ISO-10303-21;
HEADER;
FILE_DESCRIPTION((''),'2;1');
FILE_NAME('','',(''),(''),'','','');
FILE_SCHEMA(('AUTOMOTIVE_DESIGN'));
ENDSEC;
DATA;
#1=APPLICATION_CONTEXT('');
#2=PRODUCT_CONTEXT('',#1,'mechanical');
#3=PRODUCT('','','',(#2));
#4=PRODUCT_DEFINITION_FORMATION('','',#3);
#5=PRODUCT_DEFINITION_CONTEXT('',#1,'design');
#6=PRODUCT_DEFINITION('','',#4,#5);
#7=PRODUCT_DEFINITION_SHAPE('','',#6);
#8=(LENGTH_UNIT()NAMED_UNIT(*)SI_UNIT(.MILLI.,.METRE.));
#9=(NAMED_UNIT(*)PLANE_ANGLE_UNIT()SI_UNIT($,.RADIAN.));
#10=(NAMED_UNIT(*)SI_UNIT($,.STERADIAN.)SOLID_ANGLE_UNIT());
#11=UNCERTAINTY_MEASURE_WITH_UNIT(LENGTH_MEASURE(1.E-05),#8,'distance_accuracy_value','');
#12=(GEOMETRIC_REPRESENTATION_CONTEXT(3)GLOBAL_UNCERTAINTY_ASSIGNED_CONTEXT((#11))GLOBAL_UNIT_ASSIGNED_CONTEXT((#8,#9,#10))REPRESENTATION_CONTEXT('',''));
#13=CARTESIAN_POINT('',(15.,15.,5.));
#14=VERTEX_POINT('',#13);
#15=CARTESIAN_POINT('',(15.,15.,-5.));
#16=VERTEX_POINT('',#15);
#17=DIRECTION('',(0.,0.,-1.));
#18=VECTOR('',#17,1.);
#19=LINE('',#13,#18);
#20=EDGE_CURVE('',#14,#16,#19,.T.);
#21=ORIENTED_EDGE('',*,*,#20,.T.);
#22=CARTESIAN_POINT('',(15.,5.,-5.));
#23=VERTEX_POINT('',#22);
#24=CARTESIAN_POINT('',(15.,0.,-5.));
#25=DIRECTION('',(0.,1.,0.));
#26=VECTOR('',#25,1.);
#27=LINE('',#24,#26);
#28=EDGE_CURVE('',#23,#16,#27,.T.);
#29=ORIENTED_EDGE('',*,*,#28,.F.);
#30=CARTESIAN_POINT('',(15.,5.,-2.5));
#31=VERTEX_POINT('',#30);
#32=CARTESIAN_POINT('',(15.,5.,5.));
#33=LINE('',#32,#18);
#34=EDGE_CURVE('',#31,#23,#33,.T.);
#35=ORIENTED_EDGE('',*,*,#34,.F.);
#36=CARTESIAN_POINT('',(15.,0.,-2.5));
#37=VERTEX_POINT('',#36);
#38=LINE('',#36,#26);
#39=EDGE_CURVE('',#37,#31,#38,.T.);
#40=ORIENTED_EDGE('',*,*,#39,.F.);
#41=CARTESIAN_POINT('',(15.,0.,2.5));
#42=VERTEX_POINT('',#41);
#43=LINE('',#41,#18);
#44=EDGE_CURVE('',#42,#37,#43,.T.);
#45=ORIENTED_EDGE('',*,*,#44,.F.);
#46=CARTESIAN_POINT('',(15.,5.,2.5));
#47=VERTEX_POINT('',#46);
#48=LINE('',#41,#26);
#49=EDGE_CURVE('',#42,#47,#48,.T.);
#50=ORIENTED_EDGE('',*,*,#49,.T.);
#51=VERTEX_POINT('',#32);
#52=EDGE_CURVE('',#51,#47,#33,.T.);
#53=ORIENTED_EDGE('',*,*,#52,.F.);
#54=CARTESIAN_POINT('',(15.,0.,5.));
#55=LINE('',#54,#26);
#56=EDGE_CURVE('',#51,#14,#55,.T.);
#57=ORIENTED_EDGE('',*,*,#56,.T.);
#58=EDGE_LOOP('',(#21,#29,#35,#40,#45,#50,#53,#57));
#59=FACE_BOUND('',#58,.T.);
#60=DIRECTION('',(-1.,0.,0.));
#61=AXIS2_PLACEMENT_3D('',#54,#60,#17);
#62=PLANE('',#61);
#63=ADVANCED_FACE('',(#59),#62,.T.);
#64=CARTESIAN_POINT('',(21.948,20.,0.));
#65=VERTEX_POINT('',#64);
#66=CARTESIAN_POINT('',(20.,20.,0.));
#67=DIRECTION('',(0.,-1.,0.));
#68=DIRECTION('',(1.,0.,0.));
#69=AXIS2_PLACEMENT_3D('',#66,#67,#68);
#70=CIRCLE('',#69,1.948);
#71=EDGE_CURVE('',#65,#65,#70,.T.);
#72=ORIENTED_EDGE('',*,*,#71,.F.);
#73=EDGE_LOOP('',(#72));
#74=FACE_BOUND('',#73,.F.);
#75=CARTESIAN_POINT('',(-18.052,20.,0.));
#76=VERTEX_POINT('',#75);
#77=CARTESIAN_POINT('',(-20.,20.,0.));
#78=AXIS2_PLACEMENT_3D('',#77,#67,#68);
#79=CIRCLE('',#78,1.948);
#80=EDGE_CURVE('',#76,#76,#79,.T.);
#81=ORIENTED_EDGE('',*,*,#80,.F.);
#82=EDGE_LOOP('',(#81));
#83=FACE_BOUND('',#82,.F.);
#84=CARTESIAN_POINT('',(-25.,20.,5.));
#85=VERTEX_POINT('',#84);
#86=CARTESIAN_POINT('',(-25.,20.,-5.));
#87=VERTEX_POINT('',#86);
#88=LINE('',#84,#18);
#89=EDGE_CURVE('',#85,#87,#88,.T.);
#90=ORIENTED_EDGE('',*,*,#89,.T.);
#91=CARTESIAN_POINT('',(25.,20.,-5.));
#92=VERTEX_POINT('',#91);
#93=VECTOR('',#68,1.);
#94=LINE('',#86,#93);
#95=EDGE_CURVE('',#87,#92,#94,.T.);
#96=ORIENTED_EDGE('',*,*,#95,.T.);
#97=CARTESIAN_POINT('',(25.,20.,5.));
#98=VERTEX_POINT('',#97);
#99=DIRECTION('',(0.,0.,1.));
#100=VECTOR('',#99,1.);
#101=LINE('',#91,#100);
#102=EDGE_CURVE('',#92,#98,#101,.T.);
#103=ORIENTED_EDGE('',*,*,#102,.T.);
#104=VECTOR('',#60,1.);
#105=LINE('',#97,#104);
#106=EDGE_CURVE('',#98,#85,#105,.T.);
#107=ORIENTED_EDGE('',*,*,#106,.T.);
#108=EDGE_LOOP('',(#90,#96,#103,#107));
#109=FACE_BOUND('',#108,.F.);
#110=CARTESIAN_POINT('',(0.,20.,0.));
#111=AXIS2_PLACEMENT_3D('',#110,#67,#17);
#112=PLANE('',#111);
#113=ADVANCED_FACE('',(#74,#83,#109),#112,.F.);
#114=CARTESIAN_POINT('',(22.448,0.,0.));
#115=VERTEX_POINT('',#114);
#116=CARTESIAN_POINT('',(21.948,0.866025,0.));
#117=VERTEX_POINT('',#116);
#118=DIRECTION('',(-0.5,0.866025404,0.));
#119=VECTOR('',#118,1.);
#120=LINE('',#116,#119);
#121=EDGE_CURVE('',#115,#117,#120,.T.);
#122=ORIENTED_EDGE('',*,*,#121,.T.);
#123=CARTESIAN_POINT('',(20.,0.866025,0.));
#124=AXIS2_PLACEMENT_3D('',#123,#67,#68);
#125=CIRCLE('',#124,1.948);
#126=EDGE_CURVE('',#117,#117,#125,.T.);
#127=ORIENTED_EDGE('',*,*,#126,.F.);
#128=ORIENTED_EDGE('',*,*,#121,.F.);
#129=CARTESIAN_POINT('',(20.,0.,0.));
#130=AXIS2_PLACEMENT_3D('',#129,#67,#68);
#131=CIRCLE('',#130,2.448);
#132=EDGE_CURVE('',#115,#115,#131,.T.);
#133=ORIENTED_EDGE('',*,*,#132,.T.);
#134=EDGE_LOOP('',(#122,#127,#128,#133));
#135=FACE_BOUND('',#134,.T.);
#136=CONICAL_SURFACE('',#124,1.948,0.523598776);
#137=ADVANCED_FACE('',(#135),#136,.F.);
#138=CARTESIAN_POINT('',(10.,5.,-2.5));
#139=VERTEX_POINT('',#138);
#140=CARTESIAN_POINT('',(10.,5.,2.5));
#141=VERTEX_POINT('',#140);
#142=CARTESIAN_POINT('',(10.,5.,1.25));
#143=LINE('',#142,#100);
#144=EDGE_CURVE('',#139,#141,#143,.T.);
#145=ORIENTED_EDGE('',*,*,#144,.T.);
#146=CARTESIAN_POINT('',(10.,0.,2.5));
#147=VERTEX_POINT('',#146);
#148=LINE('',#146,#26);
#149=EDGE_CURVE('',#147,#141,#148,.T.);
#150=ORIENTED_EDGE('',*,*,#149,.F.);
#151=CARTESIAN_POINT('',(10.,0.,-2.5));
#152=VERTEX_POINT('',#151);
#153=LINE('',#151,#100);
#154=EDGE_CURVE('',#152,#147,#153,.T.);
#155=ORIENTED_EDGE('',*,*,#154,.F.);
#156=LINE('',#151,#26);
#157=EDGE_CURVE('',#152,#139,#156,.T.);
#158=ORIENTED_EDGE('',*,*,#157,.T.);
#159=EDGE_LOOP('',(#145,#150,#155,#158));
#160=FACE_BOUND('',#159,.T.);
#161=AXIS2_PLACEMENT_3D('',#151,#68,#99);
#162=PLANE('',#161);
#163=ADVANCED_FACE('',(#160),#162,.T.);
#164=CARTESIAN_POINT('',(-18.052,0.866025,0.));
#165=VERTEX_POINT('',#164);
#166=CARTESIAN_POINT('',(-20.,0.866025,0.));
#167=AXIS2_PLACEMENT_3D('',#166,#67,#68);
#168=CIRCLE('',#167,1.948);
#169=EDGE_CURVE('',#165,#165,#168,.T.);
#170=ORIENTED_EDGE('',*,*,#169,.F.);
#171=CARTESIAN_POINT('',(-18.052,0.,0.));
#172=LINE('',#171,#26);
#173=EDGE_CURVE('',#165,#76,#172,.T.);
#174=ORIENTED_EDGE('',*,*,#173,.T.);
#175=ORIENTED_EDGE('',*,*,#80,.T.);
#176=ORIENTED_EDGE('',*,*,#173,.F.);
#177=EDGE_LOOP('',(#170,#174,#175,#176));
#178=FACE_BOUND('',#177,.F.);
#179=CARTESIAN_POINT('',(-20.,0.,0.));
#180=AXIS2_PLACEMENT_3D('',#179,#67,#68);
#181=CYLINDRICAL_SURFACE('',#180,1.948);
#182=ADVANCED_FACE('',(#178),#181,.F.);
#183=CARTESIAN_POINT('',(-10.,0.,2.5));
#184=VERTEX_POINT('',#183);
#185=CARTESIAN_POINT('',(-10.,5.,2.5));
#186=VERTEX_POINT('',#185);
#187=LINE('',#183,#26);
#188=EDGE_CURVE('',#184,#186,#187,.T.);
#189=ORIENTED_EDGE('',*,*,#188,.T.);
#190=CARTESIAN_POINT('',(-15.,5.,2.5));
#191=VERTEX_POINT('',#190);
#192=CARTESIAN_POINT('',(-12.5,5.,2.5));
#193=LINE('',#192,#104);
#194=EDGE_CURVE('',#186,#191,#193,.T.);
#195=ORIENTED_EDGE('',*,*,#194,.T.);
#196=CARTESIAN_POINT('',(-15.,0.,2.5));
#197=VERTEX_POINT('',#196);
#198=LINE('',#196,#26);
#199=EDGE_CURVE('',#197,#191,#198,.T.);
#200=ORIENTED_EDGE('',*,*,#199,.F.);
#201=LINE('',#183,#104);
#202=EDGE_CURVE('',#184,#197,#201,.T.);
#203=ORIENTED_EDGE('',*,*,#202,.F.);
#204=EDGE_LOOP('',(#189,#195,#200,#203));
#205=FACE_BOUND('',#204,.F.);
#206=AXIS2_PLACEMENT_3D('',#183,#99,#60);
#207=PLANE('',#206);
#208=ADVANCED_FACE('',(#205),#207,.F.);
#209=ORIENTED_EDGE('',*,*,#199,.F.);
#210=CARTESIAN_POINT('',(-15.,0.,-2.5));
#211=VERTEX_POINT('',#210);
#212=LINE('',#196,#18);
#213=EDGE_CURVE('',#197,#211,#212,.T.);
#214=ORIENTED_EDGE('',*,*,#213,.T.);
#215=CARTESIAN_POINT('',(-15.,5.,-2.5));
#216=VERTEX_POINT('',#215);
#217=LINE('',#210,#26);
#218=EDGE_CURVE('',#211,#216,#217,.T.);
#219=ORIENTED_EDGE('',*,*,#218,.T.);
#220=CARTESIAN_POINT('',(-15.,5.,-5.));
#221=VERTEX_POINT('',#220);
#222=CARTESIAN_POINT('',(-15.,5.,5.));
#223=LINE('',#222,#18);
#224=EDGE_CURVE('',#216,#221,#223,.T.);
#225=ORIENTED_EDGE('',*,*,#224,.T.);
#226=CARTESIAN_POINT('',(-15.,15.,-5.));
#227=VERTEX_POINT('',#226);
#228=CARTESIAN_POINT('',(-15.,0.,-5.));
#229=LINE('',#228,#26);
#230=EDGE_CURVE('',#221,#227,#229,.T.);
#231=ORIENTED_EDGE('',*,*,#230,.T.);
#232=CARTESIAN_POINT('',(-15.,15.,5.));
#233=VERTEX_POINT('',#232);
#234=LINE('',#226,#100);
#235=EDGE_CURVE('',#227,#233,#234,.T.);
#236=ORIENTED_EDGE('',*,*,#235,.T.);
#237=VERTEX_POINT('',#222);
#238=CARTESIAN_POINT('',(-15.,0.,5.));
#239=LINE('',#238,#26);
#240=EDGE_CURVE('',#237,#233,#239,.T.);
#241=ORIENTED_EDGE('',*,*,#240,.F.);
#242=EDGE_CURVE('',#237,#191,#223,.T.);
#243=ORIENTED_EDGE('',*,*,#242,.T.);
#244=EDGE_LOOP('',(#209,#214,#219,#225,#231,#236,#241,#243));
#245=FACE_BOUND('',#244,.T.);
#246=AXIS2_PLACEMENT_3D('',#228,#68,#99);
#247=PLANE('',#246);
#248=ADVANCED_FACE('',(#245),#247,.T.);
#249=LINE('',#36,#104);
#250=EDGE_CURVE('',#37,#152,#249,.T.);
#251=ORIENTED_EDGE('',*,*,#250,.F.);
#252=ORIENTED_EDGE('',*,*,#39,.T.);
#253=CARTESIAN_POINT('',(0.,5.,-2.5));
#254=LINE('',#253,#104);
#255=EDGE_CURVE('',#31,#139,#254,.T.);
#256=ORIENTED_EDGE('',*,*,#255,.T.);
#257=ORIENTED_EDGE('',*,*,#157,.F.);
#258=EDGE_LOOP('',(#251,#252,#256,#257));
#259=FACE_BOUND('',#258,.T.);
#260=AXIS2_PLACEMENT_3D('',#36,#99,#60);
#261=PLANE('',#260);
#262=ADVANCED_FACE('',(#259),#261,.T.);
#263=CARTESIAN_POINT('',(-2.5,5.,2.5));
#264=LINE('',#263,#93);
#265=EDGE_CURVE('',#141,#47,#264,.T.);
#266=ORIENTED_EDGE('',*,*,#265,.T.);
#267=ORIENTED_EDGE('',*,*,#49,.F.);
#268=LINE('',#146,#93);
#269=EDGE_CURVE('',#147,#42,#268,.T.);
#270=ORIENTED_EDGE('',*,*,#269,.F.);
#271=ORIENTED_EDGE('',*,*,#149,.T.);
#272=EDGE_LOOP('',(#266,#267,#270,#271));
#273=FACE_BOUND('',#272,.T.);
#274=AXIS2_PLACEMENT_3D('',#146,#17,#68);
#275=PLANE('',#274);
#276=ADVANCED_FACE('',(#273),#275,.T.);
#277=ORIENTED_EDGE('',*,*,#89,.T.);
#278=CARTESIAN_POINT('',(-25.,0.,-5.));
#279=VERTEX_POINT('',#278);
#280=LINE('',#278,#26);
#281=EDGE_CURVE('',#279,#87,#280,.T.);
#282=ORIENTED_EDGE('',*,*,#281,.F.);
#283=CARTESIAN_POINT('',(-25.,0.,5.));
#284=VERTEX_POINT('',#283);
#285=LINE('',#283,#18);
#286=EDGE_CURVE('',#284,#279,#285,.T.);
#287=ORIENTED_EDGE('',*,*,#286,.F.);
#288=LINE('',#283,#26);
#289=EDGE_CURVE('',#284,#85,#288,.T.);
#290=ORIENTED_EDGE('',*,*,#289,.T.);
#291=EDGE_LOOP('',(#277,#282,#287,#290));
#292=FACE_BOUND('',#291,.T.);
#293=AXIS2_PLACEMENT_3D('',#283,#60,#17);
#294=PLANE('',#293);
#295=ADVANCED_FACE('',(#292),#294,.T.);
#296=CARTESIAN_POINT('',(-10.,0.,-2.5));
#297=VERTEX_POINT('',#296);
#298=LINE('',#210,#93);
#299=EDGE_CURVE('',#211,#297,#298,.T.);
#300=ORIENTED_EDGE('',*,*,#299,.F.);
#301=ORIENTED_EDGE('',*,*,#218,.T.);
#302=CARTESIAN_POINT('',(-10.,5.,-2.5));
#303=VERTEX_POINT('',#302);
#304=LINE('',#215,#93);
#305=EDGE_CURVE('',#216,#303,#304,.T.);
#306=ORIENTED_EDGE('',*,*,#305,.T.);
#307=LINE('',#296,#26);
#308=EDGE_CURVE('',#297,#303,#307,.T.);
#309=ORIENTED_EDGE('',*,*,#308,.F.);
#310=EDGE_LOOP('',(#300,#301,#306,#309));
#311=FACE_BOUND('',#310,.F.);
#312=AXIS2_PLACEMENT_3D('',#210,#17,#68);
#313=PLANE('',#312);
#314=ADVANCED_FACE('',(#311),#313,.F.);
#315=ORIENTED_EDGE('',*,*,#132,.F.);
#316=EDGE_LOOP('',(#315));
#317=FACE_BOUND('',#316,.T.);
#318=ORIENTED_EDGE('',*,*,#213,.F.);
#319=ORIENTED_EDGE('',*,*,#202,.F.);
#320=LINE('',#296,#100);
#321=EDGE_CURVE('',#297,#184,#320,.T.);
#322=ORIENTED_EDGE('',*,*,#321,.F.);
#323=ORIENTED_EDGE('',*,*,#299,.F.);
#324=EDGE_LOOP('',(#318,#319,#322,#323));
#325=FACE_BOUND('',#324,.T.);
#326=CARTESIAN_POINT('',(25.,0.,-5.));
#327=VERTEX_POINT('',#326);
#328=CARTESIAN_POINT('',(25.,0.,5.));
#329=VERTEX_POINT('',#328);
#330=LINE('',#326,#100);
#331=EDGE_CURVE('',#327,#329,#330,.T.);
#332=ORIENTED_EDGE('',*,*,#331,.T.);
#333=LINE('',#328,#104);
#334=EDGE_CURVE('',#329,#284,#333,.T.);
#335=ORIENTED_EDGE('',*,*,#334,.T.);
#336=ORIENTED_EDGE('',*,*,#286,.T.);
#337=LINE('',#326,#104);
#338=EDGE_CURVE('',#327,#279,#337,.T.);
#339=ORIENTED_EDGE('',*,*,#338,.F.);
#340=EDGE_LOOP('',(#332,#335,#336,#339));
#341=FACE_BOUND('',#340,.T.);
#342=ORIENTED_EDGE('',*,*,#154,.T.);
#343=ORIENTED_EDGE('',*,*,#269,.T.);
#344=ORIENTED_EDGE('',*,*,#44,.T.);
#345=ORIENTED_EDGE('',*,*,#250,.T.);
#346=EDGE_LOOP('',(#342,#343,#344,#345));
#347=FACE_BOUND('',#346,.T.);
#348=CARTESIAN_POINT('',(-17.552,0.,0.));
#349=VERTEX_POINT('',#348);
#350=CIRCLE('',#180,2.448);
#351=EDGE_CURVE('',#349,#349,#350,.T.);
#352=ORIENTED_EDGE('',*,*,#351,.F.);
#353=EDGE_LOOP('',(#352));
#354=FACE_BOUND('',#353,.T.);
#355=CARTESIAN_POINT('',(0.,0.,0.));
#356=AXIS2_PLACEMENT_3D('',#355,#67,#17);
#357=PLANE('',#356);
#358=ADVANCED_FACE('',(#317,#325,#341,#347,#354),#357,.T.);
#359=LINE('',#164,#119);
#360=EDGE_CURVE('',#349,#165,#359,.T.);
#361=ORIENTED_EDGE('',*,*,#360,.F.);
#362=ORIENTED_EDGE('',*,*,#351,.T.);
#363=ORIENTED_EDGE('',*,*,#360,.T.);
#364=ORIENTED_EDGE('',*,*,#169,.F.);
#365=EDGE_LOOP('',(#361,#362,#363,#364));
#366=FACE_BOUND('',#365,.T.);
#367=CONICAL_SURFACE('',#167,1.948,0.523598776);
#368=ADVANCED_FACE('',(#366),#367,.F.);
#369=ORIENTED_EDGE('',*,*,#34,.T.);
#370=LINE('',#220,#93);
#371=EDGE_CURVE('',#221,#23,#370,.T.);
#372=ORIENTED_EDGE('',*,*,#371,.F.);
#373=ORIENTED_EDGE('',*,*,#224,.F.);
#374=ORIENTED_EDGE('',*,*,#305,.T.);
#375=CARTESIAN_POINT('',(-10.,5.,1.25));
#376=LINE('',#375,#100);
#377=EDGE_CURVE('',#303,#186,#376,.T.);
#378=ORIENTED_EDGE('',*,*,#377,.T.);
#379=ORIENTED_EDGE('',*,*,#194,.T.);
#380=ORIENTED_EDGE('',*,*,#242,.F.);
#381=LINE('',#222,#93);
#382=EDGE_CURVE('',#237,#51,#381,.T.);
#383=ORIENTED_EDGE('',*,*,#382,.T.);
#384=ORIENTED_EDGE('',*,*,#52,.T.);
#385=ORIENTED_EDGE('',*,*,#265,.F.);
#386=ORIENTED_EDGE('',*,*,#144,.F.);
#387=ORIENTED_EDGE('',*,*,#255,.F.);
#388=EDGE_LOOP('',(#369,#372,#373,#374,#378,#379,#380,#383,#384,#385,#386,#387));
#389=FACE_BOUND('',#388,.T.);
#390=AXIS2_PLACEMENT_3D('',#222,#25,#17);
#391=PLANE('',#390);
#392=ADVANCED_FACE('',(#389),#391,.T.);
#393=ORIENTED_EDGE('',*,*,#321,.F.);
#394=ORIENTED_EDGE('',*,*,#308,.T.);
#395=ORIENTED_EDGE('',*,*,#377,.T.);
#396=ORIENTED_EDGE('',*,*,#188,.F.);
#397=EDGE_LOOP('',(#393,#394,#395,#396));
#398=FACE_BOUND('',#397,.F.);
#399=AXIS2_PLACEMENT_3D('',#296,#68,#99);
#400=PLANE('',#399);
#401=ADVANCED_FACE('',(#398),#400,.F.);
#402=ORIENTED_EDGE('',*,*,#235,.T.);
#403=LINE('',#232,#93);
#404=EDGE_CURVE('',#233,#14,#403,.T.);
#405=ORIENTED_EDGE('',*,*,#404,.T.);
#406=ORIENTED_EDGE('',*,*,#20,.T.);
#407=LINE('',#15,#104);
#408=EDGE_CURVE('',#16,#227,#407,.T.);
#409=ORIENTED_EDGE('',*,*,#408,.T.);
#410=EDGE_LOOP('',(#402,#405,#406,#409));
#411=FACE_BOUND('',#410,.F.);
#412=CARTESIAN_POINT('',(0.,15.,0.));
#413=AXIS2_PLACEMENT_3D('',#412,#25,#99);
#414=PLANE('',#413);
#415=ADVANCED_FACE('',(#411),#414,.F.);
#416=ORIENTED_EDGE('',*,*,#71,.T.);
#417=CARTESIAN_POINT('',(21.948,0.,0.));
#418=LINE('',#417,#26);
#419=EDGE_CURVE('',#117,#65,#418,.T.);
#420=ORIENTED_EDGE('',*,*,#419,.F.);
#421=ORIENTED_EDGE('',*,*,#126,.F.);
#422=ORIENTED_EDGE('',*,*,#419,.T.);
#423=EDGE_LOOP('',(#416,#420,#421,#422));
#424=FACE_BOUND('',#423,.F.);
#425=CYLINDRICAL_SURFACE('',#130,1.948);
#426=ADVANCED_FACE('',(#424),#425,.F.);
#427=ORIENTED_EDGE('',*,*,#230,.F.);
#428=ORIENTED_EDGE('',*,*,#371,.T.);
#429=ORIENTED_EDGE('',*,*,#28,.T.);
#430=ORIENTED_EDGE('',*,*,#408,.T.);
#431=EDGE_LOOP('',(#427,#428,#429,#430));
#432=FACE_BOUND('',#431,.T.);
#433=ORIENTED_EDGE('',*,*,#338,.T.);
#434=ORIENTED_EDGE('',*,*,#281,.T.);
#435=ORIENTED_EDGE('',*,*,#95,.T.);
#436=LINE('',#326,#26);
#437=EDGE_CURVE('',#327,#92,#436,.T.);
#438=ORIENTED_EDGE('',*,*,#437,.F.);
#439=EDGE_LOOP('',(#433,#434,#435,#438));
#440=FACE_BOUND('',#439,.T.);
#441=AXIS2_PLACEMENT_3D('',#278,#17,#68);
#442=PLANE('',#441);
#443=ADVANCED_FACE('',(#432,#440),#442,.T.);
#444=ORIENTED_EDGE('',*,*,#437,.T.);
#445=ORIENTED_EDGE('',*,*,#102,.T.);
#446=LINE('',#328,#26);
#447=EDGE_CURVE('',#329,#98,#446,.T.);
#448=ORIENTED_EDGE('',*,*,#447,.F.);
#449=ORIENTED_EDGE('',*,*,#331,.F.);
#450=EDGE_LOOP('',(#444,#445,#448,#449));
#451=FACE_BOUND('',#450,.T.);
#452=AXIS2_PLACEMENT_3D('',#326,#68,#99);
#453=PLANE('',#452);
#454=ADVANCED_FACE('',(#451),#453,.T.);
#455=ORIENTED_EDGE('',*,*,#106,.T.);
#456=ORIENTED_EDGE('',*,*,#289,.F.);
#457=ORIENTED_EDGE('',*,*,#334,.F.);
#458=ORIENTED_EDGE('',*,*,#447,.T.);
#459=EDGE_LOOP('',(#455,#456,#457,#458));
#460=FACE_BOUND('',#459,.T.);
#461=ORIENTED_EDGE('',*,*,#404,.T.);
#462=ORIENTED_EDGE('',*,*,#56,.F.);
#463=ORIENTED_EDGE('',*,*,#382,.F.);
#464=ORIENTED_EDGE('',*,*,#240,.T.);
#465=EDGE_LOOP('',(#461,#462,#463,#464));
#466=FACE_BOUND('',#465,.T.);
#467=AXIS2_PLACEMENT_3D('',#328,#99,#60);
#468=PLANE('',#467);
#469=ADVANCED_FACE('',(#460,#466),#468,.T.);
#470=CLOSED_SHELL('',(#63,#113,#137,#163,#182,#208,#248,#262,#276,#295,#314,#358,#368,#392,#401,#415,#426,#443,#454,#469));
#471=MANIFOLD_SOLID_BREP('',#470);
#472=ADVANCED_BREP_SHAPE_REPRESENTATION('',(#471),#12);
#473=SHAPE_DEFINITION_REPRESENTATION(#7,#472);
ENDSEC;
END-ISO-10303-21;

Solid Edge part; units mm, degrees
sketch "Sketch1" plane through (0, 0, 0) normal (0, -1, 0) x (1, 0, 0)
  line L0 (-25, -5) -> (25, -5)
  line L1 (25, -5) -> (25, 5)
  line L2 (25, 5) -> (-25, 5)
  line L3 (-25, 5) -> (-25, -5)
  dimension "D1" = 50
  dimension "D2" = 5
extrude "Protrusion1" add sketch "Sketch1" against normal blind 20
sketch "Sketch2" plane through (0, 0, 0) normal (0, -1, 0) x (1, 0, 0)
  circle A0 centre (-20, 0) radius 1.948
  circle A1 centre (20, 0) radius 1.948
  dimension "D1" = 40
  dimension "D2" = 5
extrude "Cutout1" cut sketch "Sketch2" against normal through all
sketch "Sketch3" plane through (0, 0, 0) normal (0, -1, 0) x (1, 0, 0)
  line L0 (-15, 5) -> (15, 5)
  line L1 (15, 5) -> (15, -5)
  line L2 (15, -5) -> (-15, -5)
  line L3 (-15, -5) -> (-15, 5)
  dimension "D1" = 10
  dimension "D2" = 10
extrude "Extrusionsausschnitt_3" cut sketch "Sketch3" against normal blind 15
sketch "Sketch4" plane through (-15, 7.5, 0) normal (1, 0, 0) x (0, 1, 0)
  line L0 (-7.5, 5) -> (-2.5, 5)
  line L1 (-2.5, 5) -> (-2.5, -5)
  line L2 (-2.5, -5) -> (-7.5, -5)
  line L3 (-7.5, -5) -> (-7.5, 5)
  dimension "D1" = 5
extrude "Extrusionsausprägung_2" add sketch "Sketch4" along normal blind 30
sketch "Sketch5" plane through (0, 0, 0) normal (0, -1, 0) x (1, 0, 0)
  line L0 (-15, -2.5) -> (-10, -2.5)
  line L1 (-10, -2.5) -> (-10, 2.5)
  line L2 (-10, 2.5) -> (-15, 2.5)
  line L3 (-15, 2.5) -> (-15, -2.5)
  line L4 (15, -2.5) -> (10, -2.5)
  line L5 (10, -2.5) -> (10, 2.5)
  line L6 (10, 2.5) -> (15, 2.5)
  line L7 (15, 2.5) -> (15, -2.5)
  dimension "D1" = 5
  dimension "D2" = 5
  dimension "D3" = 5
extrude "Cutout2" cut sketch "Sketch5" against normal up to next
chamfer "Fase_1" distance 0.5 angle 60 2 edges at (-21.948, 0, 0) (18.052, 0, 0) measured on face at (-16.1667, 0, 3.4333)
properties material "Nylon, allgemein"
